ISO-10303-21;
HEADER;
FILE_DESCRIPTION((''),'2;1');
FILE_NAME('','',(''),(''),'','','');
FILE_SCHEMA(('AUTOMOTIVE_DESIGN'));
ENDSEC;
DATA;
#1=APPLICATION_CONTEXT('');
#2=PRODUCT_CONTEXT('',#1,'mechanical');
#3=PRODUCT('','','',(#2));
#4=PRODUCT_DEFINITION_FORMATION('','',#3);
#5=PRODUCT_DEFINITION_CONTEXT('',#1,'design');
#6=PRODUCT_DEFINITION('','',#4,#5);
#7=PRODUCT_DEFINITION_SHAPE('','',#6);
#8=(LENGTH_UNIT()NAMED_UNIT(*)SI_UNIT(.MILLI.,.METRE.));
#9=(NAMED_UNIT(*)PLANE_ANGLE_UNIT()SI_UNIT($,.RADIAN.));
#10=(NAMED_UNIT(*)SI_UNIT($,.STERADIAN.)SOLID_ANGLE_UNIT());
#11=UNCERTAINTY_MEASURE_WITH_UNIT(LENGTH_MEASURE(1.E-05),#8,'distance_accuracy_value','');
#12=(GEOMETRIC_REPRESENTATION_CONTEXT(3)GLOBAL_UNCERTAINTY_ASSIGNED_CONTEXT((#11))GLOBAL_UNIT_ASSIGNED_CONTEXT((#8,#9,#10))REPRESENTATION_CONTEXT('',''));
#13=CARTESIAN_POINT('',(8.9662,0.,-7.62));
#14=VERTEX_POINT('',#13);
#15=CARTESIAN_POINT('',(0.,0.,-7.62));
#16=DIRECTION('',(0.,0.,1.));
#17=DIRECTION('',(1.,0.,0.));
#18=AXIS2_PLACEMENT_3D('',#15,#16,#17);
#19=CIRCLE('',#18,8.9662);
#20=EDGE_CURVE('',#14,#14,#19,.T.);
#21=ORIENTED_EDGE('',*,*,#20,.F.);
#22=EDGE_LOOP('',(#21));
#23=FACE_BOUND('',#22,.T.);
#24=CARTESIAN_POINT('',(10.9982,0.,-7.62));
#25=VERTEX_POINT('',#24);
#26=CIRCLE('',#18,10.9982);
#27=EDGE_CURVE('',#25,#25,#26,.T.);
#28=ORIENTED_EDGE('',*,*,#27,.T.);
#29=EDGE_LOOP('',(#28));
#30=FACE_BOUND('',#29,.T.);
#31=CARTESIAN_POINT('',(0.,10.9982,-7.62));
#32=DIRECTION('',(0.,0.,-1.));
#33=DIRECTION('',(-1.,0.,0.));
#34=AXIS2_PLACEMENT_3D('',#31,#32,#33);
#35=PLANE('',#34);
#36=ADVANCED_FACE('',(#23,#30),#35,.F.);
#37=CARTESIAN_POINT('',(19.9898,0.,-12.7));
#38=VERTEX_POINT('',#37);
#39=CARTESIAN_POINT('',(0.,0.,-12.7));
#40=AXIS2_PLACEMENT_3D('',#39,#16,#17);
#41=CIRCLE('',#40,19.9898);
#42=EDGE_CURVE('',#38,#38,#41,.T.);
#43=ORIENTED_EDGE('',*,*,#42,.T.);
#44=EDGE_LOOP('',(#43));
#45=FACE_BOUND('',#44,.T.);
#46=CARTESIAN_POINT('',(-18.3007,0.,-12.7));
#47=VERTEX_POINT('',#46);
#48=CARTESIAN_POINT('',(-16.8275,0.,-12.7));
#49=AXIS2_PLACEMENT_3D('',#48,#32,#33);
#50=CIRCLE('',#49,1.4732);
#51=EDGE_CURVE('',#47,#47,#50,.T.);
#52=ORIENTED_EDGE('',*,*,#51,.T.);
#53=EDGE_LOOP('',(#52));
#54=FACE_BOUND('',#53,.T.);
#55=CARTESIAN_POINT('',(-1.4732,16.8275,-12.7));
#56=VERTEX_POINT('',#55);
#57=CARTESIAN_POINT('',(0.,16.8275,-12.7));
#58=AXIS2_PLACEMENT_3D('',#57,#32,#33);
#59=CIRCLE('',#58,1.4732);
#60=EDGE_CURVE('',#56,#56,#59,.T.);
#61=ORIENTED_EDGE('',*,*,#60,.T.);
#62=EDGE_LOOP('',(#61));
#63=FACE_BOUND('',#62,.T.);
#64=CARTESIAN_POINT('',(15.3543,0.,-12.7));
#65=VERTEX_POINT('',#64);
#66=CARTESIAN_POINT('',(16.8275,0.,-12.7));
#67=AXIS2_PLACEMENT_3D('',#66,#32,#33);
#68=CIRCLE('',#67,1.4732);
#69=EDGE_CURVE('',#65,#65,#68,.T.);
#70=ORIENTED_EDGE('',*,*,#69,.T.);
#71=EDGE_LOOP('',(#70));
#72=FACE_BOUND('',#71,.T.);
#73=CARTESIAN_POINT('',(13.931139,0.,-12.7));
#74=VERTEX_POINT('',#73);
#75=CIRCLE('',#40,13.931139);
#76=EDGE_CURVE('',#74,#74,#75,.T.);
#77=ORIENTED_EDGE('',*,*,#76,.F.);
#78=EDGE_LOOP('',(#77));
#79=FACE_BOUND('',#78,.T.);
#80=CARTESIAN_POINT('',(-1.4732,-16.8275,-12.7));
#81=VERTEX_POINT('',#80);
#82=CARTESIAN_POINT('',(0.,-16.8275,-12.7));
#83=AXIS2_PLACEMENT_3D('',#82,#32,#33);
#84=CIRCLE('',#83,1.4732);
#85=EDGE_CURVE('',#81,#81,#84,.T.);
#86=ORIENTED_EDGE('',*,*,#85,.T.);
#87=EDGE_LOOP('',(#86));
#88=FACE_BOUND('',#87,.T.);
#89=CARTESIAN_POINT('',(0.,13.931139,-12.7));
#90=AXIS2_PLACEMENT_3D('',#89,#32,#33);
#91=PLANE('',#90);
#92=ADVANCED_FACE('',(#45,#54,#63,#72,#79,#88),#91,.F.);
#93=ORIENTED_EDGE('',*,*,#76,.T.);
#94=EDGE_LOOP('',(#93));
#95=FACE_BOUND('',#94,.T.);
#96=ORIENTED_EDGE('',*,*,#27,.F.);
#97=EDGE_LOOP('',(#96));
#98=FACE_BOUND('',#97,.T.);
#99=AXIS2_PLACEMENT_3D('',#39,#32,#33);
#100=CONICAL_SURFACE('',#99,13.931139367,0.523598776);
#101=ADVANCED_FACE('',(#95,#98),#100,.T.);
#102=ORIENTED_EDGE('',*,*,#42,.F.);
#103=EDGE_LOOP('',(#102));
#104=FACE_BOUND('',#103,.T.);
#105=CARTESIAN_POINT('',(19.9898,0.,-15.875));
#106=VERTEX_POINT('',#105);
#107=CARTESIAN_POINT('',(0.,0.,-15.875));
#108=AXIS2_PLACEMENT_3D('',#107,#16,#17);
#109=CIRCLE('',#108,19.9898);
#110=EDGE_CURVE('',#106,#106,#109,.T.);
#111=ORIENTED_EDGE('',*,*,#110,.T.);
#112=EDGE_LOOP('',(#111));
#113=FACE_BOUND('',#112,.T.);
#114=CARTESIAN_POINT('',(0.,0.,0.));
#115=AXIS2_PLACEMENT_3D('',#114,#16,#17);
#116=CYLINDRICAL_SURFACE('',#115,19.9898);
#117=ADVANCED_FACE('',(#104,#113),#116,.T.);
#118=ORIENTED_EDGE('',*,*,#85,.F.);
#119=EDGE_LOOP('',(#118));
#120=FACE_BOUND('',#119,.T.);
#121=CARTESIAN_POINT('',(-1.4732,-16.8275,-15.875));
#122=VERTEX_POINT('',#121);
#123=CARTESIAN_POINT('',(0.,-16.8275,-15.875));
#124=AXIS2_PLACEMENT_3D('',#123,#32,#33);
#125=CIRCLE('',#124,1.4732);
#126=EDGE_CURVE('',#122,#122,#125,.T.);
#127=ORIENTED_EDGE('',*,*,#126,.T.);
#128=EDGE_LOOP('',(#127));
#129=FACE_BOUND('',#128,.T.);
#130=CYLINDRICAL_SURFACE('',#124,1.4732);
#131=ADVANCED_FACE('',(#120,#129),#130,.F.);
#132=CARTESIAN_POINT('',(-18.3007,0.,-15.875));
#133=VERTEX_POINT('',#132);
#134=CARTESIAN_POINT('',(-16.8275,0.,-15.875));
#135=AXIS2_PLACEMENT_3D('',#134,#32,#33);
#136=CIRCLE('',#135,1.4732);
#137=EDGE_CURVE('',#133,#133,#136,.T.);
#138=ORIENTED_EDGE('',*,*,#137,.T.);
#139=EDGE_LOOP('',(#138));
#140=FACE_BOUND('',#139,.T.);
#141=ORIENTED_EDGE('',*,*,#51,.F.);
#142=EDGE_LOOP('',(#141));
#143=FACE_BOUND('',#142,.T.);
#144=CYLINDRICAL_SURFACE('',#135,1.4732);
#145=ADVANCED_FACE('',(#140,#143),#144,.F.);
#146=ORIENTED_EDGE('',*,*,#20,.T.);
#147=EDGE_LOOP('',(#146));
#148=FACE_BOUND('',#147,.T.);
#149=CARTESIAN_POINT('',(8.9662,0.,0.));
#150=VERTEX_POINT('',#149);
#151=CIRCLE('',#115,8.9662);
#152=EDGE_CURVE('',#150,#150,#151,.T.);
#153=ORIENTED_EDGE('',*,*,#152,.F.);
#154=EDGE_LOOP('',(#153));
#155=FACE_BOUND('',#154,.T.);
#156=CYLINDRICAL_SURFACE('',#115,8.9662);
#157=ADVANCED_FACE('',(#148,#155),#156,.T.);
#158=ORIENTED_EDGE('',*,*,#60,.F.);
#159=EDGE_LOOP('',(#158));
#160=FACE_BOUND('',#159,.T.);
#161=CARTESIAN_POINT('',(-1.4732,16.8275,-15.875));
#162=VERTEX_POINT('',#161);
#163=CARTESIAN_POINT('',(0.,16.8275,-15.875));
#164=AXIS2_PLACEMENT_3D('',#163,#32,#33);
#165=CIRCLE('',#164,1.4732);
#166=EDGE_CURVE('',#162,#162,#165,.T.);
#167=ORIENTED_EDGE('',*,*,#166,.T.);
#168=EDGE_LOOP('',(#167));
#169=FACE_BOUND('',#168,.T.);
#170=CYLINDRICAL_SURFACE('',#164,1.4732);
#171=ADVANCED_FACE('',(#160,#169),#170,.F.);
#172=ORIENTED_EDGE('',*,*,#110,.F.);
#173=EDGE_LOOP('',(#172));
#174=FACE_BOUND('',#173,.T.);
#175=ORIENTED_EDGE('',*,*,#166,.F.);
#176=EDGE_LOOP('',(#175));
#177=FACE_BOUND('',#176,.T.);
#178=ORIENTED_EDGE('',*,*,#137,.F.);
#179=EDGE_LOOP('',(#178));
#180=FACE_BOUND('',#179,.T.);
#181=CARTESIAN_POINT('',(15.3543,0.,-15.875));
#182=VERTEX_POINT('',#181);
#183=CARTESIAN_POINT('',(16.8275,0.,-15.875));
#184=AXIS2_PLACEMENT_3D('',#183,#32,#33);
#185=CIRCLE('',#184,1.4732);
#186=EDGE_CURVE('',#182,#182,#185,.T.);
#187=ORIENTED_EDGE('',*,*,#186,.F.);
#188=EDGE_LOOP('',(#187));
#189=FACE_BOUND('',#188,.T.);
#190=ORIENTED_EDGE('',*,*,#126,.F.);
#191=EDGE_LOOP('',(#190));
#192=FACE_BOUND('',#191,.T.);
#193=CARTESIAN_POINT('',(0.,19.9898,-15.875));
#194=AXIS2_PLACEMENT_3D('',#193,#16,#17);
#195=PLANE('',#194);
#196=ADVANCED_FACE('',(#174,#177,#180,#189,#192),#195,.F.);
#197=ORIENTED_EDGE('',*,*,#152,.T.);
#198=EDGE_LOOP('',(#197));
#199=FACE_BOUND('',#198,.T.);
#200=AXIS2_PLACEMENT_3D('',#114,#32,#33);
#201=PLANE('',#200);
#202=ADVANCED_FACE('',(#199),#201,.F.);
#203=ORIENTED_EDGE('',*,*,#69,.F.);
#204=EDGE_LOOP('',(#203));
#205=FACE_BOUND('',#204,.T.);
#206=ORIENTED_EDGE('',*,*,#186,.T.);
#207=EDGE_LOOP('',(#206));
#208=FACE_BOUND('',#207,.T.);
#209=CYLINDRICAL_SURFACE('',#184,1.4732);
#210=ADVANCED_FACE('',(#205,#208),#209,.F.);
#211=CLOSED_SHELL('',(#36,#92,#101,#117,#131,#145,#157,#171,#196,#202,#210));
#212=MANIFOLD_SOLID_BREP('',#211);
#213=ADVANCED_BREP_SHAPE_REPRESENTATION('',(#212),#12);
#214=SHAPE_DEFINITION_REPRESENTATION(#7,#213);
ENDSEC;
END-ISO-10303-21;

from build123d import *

# Parameters (mm, degrees)
F_4_CLEARANCE_HOLE1_D = 2.9464


with BuildPart() as part:
    # Sketch2 → Revolve1 (revolve)
    with BuildSketch(Plane(origin=(0, 0, 0), x_dir=(0, 0, -1), z_dir=(1, 0, 0)), mode=Mode.PRIVATE) as revolve1_sk:
        Polygon((0, 0), (15.875, 0), (15.875, 17.280736743), (15.875, 19.9898), (12.7, 19.9898), (12.7, 13.931139367), (7.62, 10.9982), (7.62, 8.9662), (0, 8.9662), align=None)
    revolve(revolve1_sk.sketch.rotate(Axis((0, 0, 0), (0, 0, -1)), 90), axis=Axis((0, 0, 0), (0, 0, -1)))

    # #4 Clearance Hole1 (through all)
    with Locations(Plane(origin=(0, 0, -15.875), x_dir=(-1, 0, 0), z_dir=(0, 0, -1))):
        with Locations((0, 16.8275), (-16.8275, 0), (16.8275, 0), (0, -16.8275)):
            Hole(F_4_CLEARANCE_HOLE1_D / 2)


solid = part.part
